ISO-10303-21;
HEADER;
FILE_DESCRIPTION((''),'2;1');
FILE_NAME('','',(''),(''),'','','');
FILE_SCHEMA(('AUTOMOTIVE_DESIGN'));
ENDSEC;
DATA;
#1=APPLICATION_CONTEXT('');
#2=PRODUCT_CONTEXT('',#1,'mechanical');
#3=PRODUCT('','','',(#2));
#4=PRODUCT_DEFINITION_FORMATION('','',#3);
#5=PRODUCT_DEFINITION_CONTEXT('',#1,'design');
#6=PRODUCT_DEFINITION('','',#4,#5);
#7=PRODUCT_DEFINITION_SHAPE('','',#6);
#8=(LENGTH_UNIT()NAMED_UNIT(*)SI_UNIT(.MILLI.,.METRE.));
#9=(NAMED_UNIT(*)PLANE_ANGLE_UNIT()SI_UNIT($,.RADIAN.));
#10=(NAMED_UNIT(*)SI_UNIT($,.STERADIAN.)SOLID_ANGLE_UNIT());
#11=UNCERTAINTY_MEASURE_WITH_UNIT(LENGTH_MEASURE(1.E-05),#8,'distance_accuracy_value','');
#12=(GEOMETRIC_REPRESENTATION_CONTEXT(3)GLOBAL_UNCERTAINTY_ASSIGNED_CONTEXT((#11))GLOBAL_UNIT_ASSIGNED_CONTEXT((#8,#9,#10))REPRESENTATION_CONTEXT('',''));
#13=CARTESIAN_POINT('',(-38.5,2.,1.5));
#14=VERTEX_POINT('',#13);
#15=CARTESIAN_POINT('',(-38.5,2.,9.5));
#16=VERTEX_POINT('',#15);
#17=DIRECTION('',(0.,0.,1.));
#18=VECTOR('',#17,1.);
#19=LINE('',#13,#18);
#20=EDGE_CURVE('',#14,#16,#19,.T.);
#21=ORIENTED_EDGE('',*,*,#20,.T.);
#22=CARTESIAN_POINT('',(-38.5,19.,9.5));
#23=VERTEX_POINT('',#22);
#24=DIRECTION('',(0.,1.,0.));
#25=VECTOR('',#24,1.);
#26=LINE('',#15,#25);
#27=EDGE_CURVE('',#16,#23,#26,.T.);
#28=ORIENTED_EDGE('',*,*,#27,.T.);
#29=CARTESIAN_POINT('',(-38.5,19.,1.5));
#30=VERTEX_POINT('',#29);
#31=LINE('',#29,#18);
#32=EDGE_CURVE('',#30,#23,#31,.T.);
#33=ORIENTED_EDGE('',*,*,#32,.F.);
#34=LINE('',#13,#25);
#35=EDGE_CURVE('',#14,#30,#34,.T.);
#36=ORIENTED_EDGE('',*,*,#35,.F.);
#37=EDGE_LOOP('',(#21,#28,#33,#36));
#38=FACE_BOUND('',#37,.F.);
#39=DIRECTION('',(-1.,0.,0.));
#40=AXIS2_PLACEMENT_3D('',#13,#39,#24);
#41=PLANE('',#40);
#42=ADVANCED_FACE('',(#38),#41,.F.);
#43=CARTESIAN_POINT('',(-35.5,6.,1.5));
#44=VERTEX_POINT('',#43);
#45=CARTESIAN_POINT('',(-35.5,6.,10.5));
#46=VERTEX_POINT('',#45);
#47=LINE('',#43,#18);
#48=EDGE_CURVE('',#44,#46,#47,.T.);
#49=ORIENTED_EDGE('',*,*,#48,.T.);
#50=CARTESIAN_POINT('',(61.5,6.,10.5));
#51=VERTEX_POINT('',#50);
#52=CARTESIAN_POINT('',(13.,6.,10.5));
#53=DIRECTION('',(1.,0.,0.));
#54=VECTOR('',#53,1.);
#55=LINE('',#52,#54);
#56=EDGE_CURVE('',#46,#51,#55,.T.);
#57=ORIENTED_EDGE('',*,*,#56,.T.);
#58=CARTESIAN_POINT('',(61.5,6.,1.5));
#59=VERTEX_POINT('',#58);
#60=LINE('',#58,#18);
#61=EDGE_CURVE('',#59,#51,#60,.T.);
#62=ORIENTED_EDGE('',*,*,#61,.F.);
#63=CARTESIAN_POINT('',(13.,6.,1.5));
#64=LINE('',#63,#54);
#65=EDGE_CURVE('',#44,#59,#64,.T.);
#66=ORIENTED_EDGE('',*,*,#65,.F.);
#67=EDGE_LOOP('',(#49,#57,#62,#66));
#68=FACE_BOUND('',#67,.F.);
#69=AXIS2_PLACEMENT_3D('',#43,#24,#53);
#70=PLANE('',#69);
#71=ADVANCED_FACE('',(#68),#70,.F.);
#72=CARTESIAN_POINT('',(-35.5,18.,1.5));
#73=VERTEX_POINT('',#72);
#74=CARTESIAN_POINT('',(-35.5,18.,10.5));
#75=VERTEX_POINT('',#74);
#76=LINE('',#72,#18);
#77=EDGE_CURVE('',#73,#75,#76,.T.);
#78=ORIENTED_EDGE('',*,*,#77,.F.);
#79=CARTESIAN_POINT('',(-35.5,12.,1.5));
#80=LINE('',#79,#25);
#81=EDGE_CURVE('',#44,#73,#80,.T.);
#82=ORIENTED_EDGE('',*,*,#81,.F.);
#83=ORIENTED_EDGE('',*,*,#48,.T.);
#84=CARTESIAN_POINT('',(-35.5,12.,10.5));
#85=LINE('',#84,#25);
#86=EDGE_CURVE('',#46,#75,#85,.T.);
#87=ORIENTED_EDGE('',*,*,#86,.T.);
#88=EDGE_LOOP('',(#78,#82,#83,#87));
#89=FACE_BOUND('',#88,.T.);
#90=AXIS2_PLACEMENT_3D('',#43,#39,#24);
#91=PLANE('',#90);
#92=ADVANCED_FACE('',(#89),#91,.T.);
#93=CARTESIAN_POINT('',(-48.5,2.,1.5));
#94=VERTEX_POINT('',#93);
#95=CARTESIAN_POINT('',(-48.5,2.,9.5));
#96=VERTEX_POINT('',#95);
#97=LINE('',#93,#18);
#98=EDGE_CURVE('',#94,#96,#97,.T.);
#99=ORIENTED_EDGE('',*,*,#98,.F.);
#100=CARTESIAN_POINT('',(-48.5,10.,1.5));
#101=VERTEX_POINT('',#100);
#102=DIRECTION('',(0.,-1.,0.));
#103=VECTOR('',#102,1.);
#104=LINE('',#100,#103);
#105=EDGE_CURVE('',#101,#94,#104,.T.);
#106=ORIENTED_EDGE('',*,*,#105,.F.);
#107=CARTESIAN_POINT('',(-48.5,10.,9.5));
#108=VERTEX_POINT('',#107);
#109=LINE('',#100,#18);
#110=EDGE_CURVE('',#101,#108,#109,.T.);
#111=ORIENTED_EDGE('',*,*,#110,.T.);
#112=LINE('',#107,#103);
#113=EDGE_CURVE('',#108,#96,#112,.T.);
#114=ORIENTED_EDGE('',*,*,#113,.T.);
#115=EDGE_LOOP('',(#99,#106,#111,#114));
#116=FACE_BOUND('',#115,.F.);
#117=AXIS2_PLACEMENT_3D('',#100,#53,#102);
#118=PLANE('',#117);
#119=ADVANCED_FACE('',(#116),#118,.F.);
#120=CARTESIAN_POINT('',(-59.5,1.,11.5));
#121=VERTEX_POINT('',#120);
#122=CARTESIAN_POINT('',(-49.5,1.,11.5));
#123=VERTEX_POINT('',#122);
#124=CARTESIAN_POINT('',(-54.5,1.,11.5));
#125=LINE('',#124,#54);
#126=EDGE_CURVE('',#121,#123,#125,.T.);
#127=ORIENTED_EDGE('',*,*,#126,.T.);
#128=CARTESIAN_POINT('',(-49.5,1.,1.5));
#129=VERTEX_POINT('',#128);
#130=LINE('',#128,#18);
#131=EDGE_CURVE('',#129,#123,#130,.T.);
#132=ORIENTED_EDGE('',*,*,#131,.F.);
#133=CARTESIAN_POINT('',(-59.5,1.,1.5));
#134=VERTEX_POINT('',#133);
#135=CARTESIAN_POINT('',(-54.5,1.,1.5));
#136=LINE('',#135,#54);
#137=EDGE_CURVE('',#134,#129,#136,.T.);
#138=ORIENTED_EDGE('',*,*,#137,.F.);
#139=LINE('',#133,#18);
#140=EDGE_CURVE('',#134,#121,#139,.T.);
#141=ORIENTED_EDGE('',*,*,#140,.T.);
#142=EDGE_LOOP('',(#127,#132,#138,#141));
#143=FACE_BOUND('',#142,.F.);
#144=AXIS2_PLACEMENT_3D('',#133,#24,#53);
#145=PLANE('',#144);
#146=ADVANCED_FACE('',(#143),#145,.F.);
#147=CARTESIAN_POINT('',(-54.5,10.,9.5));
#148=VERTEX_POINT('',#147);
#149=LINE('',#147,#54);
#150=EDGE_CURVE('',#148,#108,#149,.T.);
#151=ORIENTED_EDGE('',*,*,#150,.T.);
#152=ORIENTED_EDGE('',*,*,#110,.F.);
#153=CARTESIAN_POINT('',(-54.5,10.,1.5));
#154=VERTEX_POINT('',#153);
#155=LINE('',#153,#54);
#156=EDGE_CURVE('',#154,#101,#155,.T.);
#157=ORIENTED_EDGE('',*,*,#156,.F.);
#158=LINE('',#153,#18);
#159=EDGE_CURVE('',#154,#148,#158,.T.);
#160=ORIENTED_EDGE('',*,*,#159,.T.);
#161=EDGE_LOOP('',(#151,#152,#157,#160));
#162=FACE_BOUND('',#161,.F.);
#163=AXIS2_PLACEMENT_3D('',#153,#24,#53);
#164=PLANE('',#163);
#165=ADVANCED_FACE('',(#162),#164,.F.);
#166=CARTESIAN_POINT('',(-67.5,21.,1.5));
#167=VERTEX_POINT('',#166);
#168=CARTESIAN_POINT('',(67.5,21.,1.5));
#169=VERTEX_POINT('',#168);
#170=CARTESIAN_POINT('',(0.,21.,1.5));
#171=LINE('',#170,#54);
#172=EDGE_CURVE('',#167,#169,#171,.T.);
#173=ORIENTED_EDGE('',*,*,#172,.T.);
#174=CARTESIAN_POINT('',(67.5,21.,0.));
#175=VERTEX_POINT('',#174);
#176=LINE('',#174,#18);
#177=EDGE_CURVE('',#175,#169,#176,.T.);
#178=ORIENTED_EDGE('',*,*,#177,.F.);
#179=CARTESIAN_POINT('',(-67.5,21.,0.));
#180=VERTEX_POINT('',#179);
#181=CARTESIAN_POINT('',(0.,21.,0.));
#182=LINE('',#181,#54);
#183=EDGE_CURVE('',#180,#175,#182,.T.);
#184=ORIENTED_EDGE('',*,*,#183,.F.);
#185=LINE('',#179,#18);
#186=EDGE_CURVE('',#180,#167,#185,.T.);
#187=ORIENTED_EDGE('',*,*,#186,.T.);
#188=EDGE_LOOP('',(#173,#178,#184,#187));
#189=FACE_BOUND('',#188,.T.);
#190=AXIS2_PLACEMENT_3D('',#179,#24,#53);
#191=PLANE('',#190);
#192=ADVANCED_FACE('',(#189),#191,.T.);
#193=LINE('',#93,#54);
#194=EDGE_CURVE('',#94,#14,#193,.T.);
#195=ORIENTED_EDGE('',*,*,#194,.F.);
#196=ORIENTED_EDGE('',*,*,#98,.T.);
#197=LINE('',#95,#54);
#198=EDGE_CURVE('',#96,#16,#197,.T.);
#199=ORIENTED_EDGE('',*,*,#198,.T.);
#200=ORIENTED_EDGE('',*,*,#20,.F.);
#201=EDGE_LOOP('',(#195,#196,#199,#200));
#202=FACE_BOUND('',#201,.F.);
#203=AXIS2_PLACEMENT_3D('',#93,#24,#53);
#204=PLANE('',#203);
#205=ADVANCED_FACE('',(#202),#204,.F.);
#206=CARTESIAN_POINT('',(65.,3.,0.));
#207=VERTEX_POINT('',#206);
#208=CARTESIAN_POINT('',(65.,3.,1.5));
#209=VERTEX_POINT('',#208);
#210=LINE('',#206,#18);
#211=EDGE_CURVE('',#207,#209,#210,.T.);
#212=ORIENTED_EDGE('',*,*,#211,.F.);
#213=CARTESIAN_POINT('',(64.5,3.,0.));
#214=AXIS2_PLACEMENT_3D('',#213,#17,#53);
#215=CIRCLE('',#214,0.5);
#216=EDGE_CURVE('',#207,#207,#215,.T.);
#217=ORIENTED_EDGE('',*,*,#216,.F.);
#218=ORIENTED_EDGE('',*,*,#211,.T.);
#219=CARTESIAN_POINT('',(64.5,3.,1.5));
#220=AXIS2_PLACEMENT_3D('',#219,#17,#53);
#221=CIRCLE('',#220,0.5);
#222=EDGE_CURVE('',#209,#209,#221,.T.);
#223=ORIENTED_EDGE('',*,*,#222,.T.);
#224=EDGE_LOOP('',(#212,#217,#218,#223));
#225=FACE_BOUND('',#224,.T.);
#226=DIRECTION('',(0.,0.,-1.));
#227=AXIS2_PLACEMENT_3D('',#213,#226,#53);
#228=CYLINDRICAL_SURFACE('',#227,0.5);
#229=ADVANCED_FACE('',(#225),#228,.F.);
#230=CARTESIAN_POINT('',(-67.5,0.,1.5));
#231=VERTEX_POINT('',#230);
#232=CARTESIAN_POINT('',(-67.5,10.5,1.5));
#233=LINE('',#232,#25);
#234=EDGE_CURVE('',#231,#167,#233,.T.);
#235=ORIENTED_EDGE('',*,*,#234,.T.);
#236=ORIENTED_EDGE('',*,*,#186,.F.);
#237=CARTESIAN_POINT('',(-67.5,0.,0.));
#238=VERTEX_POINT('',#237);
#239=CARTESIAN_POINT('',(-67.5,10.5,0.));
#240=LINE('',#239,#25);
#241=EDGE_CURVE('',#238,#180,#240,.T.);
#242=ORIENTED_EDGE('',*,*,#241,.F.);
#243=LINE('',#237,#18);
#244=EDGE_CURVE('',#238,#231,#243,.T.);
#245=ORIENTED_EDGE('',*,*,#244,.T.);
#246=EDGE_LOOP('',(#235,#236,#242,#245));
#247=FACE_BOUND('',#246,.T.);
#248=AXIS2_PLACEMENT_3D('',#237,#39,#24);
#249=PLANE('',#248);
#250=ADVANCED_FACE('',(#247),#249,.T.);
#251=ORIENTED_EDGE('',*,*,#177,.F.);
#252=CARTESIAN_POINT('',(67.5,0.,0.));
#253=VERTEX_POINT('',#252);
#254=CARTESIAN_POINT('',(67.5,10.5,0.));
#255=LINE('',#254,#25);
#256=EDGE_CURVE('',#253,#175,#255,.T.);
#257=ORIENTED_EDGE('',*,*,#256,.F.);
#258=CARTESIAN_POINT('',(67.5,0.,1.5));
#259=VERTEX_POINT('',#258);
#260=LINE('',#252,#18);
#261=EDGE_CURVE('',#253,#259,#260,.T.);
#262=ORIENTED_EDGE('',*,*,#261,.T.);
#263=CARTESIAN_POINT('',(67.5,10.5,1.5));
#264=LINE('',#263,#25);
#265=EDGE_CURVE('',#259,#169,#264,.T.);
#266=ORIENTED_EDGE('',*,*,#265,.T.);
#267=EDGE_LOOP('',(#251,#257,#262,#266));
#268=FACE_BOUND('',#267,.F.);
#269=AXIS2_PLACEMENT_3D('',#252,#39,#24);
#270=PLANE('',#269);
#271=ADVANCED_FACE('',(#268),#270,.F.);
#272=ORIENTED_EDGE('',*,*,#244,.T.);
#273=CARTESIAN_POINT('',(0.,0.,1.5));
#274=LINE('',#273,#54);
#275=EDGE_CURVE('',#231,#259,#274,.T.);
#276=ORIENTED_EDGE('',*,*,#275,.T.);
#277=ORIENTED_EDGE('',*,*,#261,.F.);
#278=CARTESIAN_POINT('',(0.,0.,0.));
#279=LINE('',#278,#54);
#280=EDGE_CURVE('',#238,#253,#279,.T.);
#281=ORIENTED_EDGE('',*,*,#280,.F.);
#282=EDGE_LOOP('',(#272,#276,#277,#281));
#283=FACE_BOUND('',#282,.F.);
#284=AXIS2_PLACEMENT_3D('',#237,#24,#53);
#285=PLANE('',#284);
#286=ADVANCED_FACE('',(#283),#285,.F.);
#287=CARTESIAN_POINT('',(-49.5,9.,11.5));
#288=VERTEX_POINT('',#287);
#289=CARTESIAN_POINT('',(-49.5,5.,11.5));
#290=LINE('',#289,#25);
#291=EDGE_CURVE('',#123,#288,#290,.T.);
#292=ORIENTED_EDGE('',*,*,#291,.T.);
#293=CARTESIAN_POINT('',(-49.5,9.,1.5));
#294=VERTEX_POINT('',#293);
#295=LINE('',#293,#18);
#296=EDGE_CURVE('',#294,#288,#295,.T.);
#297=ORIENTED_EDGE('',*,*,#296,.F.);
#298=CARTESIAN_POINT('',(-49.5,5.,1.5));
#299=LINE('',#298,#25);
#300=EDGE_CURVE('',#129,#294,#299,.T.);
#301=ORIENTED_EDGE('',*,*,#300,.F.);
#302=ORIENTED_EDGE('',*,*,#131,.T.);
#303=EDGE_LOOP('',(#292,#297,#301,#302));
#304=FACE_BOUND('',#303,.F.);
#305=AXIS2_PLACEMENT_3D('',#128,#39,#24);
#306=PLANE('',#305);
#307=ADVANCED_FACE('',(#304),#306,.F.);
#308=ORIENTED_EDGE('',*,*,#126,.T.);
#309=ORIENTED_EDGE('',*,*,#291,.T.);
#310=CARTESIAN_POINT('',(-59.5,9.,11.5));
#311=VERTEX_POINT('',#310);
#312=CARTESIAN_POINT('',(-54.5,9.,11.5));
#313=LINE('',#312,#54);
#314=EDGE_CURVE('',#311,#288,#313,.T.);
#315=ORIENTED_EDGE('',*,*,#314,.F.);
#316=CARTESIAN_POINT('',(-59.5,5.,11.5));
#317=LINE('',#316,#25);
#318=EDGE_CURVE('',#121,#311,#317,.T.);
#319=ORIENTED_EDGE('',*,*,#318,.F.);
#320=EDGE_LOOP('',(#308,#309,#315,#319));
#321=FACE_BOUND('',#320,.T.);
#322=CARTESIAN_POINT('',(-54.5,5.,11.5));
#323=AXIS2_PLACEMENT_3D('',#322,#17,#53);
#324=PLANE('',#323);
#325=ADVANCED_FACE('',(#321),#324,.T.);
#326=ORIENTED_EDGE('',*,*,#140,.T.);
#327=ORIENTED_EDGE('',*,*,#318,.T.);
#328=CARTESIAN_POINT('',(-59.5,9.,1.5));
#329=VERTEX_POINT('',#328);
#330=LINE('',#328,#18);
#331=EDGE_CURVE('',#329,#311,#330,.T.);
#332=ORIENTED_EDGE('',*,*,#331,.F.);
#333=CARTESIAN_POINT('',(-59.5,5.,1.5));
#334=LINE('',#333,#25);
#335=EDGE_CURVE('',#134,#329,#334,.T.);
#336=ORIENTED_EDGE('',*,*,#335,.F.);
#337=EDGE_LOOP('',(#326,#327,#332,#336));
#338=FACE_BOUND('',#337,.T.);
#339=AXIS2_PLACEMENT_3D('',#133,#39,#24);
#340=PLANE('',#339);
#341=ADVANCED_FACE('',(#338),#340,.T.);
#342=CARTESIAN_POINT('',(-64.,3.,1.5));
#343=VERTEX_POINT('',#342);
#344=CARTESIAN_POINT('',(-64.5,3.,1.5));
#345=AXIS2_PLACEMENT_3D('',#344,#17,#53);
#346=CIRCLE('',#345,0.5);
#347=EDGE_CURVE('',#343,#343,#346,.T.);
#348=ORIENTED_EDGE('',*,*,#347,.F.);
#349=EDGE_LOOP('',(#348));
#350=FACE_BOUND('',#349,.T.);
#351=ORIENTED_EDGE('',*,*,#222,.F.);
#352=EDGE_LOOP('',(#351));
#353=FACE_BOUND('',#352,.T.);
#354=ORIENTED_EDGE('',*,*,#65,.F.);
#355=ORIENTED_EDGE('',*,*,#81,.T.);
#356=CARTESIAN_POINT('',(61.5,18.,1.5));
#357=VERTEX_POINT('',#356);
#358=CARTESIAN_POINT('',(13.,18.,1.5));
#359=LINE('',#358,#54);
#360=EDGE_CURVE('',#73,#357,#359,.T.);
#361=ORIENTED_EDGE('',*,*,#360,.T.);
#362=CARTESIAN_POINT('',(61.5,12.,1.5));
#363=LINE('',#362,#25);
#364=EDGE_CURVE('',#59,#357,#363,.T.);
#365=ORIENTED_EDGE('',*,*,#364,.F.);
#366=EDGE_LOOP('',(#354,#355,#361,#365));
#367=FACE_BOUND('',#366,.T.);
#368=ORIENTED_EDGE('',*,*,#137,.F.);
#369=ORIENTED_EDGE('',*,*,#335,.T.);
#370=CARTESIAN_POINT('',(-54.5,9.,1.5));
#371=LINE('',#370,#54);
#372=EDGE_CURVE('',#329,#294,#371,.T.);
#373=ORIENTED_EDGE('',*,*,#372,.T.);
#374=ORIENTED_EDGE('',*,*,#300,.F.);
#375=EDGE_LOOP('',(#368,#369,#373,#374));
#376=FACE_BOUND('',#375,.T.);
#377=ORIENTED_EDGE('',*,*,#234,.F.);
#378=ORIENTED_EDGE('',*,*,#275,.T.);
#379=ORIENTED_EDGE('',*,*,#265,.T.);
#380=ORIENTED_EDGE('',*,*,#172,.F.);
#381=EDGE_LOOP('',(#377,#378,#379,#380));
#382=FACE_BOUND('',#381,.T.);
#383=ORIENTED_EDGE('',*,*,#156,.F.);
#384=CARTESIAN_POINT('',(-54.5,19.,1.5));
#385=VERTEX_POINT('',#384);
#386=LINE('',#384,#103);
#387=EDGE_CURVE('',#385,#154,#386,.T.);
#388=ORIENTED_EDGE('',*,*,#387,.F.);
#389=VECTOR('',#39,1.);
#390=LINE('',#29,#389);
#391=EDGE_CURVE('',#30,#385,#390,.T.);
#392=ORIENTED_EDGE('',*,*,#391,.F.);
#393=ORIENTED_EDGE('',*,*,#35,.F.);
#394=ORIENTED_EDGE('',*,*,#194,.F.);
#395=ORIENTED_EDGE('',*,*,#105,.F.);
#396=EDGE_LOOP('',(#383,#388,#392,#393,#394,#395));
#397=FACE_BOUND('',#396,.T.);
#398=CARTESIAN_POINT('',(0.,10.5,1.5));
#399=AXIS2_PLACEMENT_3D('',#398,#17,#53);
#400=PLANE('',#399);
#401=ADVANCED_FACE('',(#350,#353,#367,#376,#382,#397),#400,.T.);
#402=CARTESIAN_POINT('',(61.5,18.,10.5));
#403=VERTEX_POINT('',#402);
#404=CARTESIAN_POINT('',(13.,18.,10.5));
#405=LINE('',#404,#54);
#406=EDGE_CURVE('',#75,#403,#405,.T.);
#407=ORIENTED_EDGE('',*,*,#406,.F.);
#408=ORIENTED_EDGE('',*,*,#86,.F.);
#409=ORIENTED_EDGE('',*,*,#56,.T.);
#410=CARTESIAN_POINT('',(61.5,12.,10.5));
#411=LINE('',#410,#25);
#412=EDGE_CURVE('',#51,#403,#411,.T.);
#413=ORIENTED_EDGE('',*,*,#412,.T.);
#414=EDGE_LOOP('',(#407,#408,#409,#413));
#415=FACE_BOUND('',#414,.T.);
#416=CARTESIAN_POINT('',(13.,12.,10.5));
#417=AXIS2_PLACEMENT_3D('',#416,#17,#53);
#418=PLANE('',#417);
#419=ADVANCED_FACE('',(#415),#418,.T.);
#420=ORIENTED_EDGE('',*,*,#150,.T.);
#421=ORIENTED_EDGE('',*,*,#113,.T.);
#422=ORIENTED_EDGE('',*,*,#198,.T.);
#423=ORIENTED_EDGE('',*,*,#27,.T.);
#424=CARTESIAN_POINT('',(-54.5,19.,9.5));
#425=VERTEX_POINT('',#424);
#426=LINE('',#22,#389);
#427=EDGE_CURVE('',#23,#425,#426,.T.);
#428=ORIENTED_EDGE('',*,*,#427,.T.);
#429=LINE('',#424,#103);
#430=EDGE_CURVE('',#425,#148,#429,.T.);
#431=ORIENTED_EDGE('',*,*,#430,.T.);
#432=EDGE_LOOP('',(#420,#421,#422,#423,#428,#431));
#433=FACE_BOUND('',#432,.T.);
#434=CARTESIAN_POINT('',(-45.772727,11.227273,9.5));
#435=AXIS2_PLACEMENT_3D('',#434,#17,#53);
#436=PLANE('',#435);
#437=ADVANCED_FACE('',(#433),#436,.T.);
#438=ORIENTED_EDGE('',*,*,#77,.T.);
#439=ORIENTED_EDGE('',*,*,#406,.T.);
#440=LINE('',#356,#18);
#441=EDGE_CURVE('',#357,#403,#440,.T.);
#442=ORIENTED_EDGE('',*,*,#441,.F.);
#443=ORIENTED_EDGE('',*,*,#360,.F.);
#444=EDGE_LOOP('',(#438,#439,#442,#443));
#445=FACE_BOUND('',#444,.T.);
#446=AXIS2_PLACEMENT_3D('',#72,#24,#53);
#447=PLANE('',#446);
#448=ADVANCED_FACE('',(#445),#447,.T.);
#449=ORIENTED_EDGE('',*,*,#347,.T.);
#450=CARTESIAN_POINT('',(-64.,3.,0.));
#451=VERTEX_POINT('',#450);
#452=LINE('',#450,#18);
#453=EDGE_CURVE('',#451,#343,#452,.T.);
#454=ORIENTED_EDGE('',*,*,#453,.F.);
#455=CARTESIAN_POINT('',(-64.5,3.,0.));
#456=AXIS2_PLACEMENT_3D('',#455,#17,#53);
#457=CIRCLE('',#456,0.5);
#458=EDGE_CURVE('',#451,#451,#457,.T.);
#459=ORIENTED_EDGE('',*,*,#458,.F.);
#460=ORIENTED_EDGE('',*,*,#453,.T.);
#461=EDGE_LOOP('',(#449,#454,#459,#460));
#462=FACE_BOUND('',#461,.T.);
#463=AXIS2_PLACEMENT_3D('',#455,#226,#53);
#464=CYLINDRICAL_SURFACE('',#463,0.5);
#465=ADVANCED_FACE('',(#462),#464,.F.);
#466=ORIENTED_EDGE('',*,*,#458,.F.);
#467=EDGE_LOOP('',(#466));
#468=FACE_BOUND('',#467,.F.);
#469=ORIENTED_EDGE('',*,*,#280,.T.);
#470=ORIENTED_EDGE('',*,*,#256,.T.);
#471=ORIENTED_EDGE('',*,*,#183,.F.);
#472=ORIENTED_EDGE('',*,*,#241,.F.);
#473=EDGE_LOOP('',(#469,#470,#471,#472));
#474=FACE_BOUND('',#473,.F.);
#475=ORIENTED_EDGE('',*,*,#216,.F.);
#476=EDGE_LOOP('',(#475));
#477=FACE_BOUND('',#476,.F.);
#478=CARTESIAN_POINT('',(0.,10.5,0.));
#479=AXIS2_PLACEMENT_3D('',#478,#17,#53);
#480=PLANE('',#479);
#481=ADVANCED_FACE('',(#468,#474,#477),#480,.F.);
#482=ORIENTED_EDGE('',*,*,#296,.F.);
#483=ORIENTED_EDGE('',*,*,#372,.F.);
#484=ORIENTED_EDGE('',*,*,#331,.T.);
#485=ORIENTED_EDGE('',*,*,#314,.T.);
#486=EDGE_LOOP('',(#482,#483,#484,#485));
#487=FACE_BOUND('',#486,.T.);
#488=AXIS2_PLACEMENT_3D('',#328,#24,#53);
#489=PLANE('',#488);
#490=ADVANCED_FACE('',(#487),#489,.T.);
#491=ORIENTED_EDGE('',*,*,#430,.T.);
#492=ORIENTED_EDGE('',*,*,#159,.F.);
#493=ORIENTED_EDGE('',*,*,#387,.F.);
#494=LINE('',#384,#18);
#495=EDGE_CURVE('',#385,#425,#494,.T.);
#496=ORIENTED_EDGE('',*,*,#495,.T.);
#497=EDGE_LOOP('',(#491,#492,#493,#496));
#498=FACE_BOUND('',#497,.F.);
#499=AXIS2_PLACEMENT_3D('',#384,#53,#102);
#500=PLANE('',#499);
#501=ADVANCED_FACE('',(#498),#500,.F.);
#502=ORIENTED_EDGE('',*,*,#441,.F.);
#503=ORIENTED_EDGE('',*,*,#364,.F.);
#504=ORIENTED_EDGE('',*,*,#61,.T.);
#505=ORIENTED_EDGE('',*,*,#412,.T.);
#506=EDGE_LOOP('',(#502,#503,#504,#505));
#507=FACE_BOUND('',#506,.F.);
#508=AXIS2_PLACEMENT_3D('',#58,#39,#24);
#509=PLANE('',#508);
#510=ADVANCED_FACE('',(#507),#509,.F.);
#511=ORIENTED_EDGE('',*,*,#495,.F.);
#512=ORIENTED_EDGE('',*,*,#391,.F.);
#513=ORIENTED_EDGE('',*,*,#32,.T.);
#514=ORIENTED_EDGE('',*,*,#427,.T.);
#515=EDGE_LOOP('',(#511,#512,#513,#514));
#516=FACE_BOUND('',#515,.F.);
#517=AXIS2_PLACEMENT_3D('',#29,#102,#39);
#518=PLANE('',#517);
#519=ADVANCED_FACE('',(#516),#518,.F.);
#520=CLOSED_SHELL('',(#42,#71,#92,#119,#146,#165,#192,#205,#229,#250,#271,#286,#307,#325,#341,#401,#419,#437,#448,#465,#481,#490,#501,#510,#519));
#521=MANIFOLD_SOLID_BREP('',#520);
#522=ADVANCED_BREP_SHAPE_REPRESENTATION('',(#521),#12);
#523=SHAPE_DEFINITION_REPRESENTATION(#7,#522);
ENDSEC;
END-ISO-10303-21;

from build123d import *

# Parameters (mm, degrees)
SKETCH_W     = 135
SKETCH_H     = 21
SKETCH_R     = 0.5
PAD_DEPTH    = 1.5
SKETCH001_W  = 97
SKETCH001_H  = 12
PAD001_DEPTH = 9
SKETCH002_W  = 10
SKETCH002_H  = 8
PAD002_DEPTH = 10
PAD003_DEPTH = 8


with BuildPart() as part:
    # Sketch → Pad (new body)
    with BuildSketch(Plane.XY):
        with Locations((0, 10.5)):
            Rectangle(SKETCH_W, SKETCH_H)
        with Locations((-64.5, 3)):
            Circle(SKETCH_R, mode=Mode.SUBTRACT)
        with Locations((64.5, 3)):
            Circle(SKETCH_R, mode=Mode.SUBTRACT)
    extrude(amount=PAD_DEPTH)

    # Sketch001 (on Face8 of Pad) → Pad001 (join)
    with BuildSketch(Plane.XY.offset(1.5)):
        with Locations((13, 12)):
            Rectangle(SKETCH001_W, SKETCH001_H)
    extrude(amount=PAD001_DEPTH)

    # Sketch002 (on Face5 of Pad001) → Pad002 (join)
    with BuildSketch(Plane.XY.offset(1.5)):
        with Locations((-54.5, 5)):
            Rectangle(SKETCH002_W, SKETCH002_H)
    extrude(amount=PAD002_DEPTH)

    # Sketch003 (on Face5 of Pad002) → Pad003 (join)
    with BuildSketch(Plane.XY.offset(1.5)):
        Polygon((-54.5, 10), (-48.5, 10), (-48.5, 2), (-38.5, 2), (-38.5, 19), (-54.5, 19), align=None)
    extrude(amount=PAD003_DEPTH)


solid = part.part
